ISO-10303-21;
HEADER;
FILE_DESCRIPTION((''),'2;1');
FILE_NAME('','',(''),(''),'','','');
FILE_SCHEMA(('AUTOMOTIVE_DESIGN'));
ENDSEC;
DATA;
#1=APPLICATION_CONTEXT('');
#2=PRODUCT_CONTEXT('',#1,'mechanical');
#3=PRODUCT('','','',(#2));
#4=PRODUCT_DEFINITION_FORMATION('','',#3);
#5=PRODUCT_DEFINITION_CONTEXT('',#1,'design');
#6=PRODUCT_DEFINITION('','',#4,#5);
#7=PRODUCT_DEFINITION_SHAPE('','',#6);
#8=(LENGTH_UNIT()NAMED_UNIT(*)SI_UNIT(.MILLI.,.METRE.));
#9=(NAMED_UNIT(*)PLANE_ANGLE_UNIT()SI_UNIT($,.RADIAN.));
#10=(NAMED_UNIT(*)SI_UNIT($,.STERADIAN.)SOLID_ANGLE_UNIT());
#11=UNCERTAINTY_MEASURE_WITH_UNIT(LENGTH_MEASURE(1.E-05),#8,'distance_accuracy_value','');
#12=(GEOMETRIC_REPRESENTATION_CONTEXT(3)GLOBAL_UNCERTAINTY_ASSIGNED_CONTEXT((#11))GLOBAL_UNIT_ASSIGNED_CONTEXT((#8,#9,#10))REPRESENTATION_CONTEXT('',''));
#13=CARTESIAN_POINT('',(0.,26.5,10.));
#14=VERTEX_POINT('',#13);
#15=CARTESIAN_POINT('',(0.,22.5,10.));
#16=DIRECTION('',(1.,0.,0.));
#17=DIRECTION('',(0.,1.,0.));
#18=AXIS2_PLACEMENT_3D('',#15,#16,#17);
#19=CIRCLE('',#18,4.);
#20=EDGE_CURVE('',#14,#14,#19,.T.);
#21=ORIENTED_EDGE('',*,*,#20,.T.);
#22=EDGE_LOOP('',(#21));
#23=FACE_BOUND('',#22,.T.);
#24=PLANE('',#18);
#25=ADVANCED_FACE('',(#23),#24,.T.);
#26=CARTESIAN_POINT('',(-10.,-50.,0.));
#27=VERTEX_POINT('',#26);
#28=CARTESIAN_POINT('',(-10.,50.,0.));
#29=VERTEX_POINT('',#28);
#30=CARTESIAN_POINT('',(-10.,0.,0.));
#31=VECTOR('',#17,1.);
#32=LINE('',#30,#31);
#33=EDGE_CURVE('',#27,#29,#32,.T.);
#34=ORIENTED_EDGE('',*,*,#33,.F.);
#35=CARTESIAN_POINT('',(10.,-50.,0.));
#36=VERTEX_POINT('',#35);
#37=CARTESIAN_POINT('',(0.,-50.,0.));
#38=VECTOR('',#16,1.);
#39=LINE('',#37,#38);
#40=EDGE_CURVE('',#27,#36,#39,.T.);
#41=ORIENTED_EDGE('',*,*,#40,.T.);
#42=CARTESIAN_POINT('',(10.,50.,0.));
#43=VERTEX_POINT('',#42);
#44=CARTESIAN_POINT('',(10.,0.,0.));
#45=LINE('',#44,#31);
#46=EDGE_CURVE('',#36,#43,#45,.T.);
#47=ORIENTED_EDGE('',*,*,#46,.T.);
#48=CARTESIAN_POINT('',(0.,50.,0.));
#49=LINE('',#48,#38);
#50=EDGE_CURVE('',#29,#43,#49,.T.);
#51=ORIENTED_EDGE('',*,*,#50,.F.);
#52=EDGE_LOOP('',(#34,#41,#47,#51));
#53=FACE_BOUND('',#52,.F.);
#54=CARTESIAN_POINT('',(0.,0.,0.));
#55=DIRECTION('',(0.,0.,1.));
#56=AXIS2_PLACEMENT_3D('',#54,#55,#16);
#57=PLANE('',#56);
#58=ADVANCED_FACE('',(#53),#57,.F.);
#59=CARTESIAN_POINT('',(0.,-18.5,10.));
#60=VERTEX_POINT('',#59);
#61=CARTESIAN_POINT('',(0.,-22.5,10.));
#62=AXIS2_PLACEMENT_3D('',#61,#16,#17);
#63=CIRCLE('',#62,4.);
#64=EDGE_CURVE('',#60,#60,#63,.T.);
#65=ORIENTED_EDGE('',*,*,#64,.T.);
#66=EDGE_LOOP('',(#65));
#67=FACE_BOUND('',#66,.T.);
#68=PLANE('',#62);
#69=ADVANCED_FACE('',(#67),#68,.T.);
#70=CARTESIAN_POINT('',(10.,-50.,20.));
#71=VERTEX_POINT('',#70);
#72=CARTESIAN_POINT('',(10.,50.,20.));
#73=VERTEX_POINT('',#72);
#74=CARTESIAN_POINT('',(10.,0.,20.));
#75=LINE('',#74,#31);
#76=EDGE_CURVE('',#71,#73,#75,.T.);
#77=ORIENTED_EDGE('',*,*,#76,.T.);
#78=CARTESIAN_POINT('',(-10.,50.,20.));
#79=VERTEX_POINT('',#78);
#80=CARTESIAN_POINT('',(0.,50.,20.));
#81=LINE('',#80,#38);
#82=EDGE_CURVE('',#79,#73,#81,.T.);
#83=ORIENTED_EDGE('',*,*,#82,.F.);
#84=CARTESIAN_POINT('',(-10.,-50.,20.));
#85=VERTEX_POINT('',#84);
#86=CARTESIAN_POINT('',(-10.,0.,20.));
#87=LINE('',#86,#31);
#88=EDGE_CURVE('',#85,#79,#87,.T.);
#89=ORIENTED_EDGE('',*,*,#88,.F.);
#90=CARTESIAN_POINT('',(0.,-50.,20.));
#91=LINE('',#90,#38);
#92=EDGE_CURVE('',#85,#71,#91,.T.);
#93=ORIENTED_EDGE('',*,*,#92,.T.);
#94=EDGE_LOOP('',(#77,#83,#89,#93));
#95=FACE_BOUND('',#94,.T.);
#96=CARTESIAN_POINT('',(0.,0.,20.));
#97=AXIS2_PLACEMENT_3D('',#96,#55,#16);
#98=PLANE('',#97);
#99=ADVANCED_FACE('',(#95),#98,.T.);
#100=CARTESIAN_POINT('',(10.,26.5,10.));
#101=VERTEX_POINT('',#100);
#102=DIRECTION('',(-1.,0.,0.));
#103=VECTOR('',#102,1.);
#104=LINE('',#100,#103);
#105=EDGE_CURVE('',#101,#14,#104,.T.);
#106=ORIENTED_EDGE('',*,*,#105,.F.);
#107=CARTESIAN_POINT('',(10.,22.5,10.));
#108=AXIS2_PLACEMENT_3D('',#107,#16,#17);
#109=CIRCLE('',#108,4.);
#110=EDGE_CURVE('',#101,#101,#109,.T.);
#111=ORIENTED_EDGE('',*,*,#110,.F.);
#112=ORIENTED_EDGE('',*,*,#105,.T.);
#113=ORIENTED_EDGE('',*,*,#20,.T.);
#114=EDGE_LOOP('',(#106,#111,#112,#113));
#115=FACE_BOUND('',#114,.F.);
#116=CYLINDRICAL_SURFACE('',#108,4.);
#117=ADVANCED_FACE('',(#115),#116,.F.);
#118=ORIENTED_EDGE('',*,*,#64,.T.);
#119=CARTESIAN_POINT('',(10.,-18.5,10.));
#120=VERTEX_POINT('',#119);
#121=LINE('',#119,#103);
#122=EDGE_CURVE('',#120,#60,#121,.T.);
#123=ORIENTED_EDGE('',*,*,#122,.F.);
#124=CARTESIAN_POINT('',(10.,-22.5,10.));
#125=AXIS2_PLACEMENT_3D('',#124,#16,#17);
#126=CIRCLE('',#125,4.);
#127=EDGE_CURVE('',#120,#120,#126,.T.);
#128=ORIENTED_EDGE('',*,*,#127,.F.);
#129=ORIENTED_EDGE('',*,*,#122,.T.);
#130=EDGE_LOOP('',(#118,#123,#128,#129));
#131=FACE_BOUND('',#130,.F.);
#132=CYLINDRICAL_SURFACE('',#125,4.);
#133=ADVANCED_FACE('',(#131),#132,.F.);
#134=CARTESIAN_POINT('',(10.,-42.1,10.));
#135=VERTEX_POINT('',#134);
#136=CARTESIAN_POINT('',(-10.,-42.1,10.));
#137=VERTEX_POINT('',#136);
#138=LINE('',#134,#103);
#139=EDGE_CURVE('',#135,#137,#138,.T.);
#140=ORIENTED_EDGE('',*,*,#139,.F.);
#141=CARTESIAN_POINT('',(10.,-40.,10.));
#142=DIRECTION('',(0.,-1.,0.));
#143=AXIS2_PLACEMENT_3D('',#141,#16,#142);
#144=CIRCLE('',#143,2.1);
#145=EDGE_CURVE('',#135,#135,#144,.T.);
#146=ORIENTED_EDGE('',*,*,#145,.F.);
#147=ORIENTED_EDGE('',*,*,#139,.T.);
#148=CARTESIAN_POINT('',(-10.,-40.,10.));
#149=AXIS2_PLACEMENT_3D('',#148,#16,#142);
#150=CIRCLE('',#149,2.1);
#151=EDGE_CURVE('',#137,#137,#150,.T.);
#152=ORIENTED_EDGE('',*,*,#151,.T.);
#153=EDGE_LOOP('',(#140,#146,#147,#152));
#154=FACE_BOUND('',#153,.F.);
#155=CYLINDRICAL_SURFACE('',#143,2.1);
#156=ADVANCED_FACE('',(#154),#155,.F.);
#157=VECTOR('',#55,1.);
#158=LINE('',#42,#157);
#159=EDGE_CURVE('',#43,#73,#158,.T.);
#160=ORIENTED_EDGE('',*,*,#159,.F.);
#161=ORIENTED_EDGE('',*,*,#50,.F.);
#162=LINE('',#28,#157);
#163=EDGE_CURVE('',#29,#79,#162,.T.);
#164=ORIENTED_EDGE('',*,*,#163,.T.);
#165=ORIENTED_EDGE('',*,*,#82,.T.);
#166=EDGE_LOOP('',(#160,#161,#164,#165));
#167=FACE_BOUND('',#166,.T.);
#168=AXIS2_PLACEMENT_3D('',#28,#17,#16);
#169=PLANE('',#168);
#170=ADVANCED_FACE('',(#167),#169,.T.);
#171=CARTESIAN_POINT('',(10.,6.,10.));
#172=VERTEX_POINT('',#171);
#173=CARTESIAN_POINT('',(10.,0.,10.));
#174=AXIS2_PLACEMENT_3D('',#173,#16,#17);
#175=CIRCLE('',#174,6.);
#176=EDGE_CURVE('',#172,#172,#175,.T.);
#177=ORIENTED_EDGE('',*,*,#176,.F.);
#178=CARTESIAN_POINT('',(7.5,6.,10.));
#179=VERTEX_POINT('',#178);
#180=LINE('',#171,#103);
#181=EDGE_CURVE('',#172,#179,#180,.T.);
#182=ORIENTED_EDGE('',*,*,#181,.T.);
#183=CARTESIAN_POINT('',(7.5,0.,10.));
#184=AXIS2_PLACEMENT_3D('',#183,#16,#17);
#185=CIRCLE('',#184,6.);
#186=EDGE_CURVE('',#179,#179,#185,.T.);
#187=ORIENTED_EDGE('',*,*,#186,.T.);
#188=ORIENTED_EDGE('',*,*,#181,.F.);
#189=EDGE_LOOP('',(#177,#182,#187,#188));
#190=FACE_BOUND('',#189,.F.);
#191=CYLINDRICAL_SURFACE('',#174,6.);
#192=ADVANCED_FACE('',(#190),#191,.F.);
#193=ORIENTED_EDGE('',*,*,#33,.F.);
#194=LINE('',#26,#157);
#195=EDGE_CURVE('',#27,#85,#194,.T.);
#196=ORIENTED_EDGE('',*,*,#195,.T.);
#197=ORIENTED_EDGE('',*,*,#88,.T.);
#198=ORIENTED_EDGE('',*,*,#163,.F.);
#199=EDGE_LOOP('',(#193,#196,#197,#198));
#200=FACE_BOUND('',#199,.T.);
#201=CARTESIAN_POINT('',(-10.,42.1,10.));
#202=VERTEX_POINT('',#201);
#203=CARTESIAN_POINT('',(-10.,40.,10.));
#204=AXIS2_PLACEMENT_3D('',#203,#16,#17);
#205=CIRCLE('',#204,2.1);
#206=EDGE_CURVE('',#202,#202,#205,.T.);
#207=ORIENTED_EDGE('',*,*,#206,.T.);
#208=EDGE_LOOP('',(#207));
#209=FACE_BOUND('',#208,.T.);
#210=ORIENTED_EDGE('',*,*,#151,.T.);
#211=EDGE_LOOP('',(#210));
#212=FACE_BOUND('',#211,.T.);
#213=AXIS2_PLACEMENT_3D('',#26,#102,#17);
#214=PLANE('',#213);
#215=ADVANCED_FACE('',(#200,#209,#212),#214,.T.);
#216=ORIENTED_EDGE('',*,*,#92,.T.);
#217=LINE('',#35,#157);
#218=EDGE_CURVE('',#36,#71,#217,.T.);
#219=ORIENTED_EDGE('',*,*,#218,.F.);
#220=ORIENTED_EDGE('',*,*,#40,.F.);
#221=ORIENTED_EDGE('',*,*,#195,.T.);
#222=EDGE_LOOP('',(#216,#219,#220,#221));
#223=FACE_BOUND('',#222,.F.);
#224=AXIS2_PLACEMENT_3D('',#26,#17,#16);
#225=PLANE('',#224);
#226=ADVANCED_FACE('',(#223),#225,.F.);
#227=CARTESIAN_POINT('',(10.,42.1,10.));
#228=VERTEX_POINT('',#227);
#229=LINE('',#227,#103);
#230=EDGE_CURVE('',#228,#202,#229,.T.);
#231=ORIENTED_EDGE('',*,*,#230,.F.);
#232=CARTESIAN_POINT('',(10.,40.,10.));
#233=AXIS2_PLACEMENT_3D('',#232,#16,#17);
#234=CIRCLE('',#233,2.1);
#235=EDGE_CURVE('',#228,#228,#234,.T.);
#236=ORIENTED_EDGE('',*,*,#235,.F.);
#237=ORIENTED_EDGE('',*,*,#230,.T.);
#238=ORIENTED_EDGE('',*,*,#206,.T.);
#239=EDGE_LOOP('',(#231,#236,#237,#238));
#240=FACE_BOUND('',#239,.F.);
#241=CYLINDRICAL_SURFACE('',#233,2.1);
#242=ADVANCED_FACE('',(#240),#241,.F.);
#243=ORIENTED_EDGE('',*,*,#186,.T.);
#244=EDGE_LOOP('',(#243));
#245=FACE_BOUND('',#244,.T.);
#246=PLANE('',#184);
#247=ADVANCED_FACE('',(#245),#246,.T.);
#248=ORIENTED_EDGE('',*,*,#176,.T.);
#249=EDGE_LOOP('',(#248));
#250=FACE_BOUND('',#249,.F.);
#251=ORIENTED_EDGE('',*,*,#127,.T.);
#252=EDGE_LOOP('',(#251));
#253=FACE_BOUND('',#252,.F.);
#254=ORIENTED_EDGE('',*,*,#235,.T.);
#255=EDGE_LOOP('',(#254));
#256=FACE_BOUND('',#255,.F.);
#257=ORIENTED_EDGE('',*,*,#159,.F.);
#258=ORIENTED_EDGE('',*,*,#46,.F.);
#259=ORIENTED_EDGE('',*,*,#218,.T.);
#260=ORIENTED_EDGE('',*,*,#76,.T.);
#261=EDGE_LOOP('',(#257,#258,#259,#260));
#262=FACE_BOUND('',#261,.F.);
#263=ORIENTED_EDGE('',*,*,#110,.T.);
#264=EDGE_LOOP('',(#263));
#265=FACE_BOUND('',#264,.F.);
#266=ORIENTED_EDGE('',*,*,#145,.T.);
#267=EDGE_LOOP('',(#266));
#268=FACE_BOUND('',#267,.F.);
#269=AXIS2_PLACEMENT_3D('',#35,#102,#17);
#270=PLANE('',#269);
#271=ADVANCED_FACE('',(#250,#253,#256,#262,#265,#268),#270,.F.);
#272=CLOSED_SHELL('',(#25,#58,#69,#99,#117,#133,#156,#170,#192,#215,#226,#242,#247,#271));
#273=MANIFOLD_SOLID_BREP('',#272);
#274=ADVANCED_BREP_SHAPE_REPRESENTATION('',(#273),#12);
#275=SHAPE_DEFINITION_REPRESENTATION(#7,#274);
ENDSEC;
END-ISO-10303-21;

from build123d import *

# Parameters (mm, degrees)
F0_W     = 20
F0_H     = 100
F1_DEPTH = 20
F2_R     = 6
F3_DEPTH = 2.5
F4_R     = 4
F5_DEPTH = 10
F7_DEPTH = 25


with BuildPart() as f1:
    # F0 (on Top) → F1 (new body)
    with BuildSketch(Plane.XY):
        Rectangle(F0_W, F0_H)
    extrude(amount=F1_DEPTH)

    # F2 (on face) → F3 (cut)
    with BuildSketch(Plane.YZ.offset(10)):
        with Locations((0, 10)):
            Circle(F2_R)
    extrude(amount=-F3_DEPTH, mode=Mode.SUBTRACT)

    # F4 (on face) → F5 (cut)
    with BuildSketch(Plane.YZ.offset(10)):
        with Locations((22.5, 10)):
            Circle(F4_R)
        with Locations((-22.5, 10)):
            Circle(F4_R)
    extrude(amount=-F5_DEPTH, mode=Mode.SUBTRACT)

    # F6 (on face) → F7 (cut)
    with BuildSketch(Plane.YZ.offset(10)):
        with BuildLine():
            ThreePointArc((-37.9, 10), (-40, 12.1), (-42.1, 10))
            Line((-42.1, 10), (-37.9, 10))
        make_face()
        with BuildLine():
            Line((-37.9, 10), (-42.1, 10))
            ThreePointArc((-42.1, 10), (-40, 7.9), (-37.9, 10))
        make_face()
        with BuildLine():
            ThreePointArc((37.9, 10), (40, 7.9), (42.1, 10))
            Line((42.1, 10), (37.9, 10))
        make_face()
        with BuildLine():
            Line((37.9, 10), (42.1, 10))
            ThreePointArc((42.1, 10), (40, 12.1), (37.9, 10))
        make_face()
    extrude(amount=-F7_DEPTH, mode=Mode.SUBTRACT)


solid = f1.part
